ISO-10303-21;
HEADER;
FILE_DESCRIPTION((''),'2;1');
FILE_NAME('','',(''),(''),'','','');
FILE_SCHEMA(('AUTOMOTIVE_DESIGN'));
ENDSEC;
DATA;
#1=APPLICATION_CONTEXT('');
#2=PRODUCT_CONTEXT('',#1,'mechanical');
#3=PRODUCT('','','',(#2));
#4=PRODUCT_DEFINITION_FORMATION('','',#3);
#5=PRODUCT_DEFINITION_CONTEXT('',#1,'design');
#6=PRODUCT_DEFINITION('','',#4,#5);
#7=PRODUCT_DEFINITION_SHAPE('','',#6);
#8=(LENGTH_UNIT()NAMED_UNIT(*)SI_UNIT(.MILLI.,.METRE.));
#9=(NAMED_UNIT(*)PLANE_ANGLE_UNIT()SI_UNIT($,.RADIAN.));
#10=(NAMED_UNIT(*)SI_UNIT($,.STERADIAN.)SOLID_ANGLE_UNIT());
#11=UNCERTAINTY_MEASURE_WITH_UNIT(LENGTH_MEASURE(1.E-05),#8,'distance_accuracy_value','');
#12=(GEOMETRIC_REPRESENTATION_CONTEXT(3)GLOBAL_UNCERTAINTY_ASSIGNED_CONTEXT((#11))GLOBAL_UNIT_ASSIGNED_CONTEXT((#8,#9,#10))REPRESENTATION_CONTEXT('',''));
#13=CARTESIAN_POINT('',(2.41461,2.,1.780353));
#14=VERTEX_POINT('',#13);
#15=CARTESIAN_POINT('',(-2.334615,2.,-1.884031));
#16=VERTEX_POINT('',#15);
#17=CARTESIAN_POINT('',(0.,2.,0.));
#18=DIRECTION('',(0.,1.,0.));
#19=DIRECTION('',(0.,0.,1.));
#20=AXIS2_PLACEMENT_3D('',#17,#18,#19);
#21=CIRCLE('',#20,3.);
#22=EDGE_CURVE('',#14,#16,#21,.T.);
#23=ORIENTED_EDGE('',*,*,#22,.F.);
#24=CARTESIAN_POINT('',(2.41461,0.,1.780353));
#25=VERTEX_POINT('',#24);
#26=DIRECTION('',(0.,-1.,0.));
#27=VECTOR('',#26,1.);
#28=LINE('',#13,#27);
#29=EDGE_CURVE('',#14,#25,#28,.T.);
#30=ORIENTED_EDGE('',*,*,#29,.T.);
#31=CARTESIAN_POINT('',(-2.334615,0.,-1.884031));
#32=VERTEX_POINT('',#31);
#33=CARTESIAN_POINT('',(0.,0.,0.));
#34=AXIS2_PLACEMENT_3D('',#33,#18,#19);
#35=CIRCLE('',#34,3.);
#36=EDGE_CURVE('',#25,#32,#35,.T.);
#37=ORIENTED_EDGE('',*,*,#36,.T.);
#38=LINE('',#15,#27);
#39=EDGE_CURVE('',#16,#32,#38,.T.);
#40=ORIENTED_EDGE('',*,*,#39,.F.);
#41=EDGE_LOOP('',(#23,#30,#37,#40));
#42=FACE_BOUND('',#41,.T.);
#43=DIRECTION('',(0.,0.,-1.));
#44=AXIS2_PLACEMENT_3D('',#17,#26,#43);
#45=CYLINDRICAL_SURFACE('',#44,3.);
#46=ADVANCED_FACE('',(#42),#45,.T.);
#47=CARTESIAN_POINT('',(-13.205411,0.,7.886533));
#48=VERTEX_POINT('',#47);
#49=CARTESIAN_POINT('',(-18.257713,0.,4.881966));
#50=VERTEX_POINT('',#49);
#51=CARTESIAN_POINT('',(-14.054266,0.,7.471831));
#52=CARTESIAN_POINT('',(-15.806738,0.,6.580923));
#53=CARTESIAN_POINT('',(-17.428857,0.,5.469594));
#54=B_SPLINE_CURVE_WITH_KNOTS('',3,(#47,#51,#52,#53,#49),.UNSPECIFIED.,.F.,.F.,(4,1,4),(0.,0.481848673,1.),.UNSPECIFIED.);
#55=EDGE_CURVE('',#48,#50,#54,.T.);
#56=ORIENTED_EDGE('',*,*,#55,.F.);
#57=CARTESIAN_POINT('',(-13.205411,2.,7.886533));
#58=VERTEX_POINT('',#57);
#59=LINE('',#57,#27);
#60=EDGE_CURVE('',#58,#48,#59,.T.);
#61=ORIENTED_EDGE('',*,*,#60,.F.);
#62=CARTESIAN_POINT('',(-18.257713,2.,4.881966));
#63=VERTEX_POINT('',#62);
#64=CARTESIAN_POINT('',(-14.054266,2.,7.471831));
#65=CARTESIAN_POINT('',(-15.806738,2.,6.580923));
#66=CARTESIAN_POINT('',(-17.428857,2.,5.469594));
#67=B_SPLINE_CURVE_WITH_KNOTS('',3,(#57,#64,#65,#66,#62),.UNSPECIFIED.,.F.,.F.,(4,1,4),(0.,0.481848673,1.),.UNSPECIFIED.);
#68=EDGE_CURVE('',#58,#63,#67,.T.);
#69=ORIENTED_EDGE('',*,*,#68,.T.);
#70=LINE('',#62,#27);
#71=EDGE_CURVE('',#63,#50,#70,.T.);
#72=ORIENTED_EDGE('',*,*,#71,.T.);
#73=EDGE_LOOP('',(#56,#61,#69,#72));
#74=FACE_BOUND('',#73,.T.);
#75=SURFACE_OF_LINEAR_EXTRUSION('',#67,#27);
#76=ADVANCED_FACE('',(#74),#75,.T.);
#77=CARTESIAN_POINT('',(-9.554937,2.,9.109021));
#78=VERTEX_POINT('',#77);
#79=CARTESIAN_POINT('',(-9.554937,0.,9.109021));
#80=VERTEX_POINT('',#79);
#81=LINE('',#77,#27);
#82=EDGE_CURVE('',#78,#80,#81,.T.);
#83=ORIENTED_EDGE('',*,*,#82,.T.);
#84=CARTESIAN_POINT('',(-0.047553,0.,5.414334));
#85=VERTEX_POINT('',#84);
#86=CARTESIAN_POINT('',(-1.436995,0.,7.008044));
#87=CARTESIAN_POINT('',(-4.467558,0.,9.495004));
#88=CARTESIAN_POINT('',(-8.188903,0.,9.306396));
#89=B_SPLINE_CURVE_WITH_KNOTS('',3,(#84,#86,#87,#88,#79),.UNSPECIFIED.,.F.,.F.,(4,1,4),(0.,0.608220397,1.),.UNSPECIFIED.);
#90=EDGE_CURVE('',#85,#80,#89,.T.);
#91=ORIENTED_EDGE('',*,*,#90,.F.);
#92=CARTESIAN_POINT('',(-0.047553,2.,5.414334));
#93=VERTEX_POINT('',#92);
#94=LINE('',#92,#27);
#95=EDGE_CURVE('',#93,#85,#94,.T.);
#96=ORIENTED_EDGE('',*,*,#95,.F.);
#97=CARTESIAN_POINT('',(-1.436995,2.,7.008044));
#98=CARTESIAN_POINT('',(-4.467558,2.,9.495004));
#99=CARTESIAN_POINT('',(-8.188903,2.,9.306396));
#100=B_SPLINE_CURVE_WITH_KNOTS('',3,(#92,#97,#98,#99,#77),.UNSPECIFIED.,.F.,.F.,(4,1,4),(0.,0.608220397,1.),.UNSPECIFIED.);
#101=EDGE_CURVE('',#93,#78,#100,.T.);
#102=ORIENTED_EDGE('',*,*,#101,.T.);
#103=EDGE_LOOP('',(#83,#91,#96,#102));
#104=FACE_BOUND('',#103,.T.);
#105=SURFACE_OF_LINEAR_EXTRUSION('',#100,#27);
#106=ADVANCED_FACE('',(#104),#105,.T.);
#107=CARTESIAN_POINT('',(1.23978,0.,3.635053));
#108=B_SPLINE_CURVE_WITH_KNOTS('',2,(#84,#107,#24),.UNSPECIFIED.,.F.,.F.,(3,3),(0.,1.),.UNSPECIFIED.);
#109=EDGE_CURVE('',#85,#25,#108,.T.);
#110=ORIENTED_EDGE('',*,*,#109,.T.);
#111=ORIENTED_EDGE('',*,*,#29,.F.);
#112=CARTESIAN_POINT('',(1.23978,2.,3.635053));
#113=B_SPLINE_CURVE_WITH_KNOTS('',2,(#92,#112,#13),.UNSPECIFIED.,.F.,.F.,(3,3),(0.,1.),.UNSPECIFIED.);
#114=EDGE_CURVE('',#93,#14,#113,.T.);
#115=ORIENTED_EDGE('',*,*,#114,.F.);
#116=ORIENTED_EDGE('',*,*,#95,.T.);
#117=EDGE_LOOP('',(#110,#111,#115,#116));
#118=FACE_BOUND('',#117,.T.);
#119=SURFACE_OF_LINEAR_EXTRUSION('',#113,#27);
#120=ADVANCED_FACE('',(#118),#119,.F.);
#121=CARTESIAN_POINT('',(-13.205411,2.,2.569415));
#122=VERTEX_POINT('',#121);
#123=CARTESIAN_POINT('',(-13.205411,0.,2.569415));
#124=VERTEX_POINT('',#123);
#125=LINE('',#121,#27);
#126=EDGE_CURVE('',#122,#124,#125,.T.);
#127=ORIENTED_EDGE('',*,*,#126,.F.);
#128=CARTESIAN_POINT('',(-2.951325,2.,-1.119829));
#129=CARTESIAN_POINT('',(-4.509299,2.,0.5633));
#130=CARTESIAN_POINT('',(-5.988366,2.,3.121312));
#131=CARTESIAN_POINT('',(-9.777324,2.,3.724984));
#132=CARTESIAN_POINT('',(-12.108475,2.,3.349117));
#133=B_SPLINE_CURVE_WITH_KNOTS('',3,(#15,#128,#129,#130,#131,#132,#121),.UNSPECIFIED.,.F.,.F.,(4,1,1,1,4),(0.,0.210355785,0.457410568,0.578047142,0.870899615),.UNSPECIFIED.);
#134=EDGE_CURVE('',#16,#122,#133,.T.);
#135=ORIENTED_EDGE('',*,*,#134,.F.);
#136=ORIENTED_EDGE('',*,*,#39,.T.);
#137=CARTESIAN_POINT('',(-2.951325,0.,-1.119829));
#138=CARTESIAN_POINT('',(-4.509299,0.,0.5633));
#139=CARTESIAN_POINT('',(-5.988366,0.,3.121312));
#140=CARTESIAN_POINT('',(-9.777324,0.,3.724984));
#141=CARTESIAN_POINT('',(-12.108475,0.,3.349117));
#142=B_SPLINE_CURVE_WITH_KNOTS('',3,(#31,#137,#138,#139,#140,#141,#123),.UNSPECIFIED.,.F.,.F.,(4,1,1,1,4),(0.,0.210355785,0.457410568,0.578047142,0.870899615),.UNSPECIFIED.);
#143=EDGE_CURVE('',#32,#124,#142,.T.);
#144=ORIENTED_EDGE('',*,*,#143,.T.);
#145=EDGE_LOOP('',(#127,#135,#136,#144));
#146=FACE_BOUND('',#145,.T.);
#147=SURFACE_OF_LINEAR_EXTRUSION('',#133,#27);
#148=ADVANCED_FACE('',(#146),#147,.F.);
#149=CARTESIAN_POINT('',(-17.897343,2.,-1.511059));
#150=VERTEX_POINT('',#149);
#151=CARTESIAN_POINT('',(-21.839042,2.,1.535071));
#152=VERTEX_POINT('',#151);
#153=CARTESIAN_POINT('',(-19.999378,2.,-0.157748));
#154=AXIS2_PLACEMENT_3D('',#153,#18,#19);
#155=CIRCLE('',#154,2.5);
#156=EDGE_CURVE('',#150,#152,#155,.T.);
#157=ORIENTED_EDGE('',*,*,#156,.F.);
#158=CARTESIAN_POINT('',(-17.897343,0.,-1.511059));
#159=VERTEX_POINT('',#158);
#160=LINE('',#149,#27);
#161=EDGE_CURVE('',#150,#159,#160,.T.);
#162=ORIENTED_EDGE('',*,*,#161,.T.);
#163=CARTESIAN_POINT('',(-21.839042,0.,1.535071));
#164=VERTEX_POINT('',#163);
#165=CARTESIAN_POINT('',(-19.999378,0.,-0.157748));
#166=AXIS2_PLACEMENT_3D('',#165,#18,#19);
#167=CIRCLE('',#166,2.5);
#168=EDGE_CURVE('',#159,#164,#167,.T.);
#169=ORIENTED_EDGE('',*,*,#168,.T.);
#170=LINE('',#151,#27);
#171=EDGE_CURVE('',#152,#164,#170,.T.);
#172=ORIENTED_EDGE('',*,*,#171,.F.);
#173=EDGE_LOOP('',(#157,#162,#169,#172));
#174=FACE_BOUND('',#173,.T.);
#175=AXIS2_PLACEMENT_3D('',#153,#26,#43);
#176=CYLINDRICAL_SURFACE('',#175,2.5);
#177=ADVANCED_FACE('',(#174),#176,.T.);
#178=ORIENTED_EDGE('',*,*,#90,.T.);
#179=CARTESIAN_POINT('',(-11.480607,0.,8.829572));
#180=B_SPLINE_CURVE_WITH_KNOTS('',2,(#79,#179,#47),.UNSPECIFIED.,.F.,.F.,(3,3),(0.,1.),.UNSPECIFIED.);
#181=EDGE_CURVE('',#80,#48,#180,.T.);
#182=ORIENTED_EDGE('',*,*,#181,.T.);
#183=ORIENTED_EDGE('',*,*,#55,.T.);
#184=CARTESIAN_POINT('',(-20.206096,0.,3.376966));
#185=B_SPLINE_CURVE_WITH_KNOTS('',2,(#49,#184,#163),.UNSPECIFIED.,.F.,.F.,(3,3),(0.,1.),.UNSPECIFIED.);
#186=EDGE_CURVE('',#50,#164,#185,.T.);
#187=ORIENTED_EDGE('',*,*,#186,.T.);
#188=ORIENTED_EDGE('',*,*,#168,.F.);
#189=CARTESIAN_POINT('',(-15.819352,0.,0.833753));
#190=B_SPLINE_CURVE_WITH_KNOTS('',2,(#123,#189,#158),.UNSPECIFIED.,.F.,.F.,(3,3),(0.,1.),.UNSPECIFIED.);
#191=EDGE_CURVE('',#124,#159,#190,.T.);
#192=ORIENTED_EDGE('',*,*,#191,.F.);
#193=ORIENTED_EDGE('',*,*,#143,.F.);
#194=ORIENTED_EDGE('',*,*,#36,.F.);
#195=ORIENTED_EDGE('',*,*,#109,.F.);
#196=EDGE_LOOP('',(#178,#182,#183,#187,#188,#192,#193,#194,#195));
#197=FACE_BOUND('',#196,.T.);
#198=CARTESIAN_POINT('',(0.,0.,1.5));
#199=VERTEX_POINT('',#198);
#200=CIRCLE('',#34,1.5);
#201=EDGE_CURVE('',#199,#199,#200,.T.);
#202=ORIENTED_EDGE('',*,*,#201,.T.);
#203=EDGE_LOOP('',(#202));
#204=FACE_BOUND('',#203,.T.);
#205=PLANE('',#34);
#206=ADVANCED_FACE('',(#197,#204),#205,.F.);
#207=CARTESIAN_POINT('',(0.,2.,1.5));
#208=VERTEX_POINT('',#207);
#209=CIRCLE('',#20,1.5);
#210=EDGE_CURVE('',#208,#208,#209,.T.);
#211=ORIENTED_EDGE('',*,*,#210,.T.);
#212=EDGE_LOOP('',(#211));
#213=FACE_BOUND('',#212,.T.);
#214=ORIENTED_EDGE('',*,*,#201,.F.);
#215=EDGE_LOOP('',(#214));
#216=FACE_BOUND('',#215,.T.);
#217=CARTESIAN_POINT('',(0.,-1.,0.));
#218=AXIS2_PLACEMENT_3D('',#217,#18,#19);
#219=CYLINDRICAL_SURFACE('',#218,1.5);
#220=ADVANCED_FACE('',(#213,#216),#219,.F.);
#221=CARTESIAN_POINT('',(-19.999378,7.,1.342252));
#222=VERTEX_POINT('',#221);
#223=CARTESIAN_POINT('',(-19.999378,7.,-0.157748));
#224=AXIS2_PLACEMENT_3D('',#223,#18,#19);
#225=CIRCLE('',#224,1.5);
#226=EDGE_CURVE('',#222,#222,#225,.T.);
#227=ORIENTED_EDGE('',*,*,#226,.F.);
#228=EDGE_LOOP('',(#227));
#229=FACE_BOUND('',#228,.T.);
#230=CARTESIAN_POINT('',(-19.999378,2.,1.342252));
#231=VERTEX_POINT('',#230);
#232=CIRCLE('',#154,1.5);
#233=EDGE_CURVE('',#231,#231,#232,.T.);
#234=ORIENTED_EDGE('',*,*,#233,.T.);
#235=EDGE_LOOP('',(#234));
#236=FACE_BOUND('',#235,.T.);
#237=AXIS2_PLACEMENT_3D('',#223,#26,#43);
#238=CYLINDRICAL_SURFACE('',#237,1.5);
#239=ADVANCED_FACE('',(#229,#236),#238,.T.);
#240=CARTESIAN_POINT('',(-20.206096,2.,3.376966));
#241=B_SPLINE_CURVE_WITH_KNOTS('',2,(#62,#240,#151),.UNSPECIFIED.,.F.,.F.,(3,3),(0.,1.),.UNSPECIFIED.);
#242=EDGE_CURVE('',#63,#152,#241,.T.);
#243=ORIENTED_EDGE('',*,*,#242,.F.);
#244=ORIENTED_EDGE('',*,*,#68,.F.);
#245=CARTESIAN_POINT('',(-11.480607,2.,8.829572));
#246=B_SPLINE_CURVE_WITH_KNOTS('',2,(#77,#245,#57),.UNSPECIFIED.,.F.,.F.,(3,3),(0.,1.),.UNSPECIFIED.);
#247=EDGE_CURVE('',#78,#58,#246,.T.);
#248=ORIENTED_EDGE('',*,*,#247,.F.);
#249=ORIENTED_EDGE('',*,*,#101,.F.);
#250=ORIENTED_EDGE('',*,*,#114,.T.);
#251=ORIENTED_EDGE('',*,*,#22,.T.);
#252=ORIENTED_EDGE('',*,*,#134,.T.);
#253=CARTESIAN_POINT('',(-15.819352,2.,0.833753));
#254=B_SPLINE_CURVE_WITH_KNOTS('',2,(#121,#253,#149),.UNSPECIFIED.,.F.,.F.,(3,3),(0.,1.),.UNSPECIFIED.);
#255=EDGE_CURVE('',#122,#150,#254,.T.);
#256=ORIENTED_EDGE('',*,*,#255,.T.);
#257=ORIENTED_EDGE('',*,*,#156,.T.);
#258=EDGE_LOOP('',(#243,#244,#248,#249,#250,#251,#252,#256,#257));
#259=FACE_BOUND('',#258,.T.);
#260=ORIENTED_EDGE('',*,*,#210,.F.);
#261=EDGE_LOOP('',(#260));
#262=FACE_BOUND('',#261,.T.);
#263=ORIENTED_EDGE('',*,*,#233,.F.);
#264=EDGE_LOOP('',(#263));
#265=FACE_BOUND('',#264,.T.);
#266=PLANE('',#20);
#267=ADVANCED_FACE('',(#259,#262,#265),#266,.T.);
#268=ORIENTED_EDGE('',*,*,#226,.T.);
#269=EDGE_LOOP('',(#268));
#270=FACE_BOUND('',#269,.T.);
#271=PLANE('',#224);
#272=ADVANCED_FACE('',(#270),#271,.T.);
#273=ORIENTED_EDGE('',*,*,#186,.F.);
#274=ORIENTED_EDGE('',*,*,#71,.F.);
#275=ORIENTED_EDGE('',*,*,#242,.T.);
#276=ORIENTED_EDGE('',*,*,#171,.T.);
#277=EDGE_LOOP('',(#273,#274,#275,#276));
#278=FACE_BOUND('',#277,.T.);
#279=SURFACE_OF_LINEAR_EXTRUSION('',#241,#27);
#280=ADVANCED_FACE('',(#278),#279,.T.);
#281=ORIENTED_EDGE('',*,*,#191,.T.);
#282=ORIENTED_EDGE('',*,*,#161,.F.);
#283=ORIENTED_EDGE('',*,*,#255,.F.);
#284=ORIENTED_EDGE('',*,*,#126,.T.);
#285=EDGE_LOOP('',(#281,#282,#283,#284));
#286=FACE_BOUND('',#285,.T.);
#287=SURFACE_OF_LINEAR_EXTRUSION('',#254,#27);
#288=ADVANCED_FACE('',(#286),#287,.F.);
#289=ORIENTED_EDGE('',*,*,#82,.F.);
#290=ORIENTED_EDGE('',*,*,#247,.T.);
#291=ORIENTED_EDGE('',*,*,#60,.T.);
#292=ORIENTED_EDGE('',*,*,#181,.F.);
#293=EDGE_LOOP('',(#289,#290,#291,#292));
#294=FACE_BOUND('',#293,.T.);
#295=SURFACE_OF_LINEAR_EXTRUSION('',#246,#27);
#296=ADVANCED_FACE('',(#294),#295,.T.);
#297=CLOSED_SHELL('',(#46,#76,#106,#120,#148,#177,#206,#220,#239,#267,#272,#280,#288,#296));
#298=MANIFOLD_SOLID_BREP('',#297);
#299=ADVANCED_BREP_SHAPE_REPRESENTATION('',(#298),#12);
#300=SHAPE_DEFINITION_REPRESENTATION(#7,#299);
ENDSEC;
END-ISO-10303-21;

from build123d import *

# Parameters (mm, degrees)
SALIENTE_EXTRUIR1_DEPTH = 2
CROQUIS2_R              = 1.5
CORTAR_EXTRUIR2_DEPTH   = 3
CROQUIS4_R              = 1.5
SALIENTE_EXTRUIR3_DEPTH = 5


with BuildPart() as part:
    # Croquis1 → Saliente-Extruir1 (new body)
    with BuildSketch(Plane(origin=(0, 0, 0), x_dir=(1, 0, 0), z_dir=(0, 1, 0))):
        with BuildLine():
            add(Edge.make_bspline(
                [(-0.047552943, -5.41433386), (1.239779979, -3.635052884), (2.414610314, -1.780353063)],
                knots=[0, 0, 0, 1, 1, 1], degree=2))
            ThreePointArc((2.414610314, -1.780353063), (1.832628676, 2.375178338), (-2.334614821, 1.88403122))
            add(Edge.make_bspline(
                [(-2.334614821, 1.88403122), (-2.951325259, 1.119828741), (-4.509299118, -0.563300275), (-5.988366098, -3.121312175), (-9.777324233, -3.72498405), (-12.108475468, -3.349116626), (-13.205411179, -2.56941452)],
                knots=[0, 0, 0, 0, 0.210355785, 0.457410568, 0.578047142, 0.870899615, 0.870899615, 0.870899615, 0.870899615], degree=3))
            add(Edge.make_bspline(
                [(-13.205411179, -2.56941452), (-15.819352109, -0.83375271), (-17.897343033, 1.511058614)],
                knots=[0, 0, 0, 1, 1, 1], degree=2))
            ThreePointArc((-17.897343033, 1.511058614), (-21.528082135, 2.135894472), (-21.839041513, -1.535071415))
            add(Edge.make_bspline(
                [(-18.257712787, -4.881966223), (-20.206095591, -3.376965901), (-21.839041513, -1.535071415)],
                knots=[0, 0, 0, 1, 1, 1], degree=2))
            add(Edge.make_bspline(
                [(-13.205411179, -7.886532608), (-14.054265837, -7.471831244), (-15.806738264, -6.580922778), (-17.428856772, -5.469594286), (-18.257712787, -4.881966223)],
                knots=[0, 0, 0, 0, 0.481848673, 1, 1, 1, 1], degree=3))
            add(Edge.make_bspline(
                [(-9.554936668, -9.109021082), (-11.480606525, -8.82957168), (-13.205411179, -7.886532608)],
                knots=[0, 0, 0, 1, 1, 1], degree=2))
            add(Edge.make_bspline(
                [(-0.047552943, -5.41433386), (-1.436995415, -7.008044472), (-4.467557841, -9.495004111), (-8.188902662, -9.306395591), (-9.554936668, -9.109021082)],
                knots=[0, 0, 0, 0, 0.608220397, 1, 1, 1, 1], degree=3))
        make_face()
    extrude(amount=SALIENTE_EXTRUIR1_DEPTH)

    # Croquis2 → Cortar-Extruir2 (cut)
    with BuildSketch(Plane(origin=(0, 2, 0), x_dir=(1, 0, 0), z_dir=(0, 1, 0))):
        Circle(CROQUIS2_R)
    extrude(amount=-CORTAR_EXTRUIR2_DEPTH, mode=Mode.SUBTRACT)

    # Croquis4 → Saliente-Extruir3 (add)
    with BuildSketch(Plane(origin=(0, 2, 0), x_dir=(1, 0, 0), z_dir=(0, 1, 0))):
        with Locations((-19.999377879, 0.157748042)):
            Circle(CROQUIS4_R)
    extrude(amount=SALIENTE_EXTRUIR3_DEPTH)


solid = part.part
